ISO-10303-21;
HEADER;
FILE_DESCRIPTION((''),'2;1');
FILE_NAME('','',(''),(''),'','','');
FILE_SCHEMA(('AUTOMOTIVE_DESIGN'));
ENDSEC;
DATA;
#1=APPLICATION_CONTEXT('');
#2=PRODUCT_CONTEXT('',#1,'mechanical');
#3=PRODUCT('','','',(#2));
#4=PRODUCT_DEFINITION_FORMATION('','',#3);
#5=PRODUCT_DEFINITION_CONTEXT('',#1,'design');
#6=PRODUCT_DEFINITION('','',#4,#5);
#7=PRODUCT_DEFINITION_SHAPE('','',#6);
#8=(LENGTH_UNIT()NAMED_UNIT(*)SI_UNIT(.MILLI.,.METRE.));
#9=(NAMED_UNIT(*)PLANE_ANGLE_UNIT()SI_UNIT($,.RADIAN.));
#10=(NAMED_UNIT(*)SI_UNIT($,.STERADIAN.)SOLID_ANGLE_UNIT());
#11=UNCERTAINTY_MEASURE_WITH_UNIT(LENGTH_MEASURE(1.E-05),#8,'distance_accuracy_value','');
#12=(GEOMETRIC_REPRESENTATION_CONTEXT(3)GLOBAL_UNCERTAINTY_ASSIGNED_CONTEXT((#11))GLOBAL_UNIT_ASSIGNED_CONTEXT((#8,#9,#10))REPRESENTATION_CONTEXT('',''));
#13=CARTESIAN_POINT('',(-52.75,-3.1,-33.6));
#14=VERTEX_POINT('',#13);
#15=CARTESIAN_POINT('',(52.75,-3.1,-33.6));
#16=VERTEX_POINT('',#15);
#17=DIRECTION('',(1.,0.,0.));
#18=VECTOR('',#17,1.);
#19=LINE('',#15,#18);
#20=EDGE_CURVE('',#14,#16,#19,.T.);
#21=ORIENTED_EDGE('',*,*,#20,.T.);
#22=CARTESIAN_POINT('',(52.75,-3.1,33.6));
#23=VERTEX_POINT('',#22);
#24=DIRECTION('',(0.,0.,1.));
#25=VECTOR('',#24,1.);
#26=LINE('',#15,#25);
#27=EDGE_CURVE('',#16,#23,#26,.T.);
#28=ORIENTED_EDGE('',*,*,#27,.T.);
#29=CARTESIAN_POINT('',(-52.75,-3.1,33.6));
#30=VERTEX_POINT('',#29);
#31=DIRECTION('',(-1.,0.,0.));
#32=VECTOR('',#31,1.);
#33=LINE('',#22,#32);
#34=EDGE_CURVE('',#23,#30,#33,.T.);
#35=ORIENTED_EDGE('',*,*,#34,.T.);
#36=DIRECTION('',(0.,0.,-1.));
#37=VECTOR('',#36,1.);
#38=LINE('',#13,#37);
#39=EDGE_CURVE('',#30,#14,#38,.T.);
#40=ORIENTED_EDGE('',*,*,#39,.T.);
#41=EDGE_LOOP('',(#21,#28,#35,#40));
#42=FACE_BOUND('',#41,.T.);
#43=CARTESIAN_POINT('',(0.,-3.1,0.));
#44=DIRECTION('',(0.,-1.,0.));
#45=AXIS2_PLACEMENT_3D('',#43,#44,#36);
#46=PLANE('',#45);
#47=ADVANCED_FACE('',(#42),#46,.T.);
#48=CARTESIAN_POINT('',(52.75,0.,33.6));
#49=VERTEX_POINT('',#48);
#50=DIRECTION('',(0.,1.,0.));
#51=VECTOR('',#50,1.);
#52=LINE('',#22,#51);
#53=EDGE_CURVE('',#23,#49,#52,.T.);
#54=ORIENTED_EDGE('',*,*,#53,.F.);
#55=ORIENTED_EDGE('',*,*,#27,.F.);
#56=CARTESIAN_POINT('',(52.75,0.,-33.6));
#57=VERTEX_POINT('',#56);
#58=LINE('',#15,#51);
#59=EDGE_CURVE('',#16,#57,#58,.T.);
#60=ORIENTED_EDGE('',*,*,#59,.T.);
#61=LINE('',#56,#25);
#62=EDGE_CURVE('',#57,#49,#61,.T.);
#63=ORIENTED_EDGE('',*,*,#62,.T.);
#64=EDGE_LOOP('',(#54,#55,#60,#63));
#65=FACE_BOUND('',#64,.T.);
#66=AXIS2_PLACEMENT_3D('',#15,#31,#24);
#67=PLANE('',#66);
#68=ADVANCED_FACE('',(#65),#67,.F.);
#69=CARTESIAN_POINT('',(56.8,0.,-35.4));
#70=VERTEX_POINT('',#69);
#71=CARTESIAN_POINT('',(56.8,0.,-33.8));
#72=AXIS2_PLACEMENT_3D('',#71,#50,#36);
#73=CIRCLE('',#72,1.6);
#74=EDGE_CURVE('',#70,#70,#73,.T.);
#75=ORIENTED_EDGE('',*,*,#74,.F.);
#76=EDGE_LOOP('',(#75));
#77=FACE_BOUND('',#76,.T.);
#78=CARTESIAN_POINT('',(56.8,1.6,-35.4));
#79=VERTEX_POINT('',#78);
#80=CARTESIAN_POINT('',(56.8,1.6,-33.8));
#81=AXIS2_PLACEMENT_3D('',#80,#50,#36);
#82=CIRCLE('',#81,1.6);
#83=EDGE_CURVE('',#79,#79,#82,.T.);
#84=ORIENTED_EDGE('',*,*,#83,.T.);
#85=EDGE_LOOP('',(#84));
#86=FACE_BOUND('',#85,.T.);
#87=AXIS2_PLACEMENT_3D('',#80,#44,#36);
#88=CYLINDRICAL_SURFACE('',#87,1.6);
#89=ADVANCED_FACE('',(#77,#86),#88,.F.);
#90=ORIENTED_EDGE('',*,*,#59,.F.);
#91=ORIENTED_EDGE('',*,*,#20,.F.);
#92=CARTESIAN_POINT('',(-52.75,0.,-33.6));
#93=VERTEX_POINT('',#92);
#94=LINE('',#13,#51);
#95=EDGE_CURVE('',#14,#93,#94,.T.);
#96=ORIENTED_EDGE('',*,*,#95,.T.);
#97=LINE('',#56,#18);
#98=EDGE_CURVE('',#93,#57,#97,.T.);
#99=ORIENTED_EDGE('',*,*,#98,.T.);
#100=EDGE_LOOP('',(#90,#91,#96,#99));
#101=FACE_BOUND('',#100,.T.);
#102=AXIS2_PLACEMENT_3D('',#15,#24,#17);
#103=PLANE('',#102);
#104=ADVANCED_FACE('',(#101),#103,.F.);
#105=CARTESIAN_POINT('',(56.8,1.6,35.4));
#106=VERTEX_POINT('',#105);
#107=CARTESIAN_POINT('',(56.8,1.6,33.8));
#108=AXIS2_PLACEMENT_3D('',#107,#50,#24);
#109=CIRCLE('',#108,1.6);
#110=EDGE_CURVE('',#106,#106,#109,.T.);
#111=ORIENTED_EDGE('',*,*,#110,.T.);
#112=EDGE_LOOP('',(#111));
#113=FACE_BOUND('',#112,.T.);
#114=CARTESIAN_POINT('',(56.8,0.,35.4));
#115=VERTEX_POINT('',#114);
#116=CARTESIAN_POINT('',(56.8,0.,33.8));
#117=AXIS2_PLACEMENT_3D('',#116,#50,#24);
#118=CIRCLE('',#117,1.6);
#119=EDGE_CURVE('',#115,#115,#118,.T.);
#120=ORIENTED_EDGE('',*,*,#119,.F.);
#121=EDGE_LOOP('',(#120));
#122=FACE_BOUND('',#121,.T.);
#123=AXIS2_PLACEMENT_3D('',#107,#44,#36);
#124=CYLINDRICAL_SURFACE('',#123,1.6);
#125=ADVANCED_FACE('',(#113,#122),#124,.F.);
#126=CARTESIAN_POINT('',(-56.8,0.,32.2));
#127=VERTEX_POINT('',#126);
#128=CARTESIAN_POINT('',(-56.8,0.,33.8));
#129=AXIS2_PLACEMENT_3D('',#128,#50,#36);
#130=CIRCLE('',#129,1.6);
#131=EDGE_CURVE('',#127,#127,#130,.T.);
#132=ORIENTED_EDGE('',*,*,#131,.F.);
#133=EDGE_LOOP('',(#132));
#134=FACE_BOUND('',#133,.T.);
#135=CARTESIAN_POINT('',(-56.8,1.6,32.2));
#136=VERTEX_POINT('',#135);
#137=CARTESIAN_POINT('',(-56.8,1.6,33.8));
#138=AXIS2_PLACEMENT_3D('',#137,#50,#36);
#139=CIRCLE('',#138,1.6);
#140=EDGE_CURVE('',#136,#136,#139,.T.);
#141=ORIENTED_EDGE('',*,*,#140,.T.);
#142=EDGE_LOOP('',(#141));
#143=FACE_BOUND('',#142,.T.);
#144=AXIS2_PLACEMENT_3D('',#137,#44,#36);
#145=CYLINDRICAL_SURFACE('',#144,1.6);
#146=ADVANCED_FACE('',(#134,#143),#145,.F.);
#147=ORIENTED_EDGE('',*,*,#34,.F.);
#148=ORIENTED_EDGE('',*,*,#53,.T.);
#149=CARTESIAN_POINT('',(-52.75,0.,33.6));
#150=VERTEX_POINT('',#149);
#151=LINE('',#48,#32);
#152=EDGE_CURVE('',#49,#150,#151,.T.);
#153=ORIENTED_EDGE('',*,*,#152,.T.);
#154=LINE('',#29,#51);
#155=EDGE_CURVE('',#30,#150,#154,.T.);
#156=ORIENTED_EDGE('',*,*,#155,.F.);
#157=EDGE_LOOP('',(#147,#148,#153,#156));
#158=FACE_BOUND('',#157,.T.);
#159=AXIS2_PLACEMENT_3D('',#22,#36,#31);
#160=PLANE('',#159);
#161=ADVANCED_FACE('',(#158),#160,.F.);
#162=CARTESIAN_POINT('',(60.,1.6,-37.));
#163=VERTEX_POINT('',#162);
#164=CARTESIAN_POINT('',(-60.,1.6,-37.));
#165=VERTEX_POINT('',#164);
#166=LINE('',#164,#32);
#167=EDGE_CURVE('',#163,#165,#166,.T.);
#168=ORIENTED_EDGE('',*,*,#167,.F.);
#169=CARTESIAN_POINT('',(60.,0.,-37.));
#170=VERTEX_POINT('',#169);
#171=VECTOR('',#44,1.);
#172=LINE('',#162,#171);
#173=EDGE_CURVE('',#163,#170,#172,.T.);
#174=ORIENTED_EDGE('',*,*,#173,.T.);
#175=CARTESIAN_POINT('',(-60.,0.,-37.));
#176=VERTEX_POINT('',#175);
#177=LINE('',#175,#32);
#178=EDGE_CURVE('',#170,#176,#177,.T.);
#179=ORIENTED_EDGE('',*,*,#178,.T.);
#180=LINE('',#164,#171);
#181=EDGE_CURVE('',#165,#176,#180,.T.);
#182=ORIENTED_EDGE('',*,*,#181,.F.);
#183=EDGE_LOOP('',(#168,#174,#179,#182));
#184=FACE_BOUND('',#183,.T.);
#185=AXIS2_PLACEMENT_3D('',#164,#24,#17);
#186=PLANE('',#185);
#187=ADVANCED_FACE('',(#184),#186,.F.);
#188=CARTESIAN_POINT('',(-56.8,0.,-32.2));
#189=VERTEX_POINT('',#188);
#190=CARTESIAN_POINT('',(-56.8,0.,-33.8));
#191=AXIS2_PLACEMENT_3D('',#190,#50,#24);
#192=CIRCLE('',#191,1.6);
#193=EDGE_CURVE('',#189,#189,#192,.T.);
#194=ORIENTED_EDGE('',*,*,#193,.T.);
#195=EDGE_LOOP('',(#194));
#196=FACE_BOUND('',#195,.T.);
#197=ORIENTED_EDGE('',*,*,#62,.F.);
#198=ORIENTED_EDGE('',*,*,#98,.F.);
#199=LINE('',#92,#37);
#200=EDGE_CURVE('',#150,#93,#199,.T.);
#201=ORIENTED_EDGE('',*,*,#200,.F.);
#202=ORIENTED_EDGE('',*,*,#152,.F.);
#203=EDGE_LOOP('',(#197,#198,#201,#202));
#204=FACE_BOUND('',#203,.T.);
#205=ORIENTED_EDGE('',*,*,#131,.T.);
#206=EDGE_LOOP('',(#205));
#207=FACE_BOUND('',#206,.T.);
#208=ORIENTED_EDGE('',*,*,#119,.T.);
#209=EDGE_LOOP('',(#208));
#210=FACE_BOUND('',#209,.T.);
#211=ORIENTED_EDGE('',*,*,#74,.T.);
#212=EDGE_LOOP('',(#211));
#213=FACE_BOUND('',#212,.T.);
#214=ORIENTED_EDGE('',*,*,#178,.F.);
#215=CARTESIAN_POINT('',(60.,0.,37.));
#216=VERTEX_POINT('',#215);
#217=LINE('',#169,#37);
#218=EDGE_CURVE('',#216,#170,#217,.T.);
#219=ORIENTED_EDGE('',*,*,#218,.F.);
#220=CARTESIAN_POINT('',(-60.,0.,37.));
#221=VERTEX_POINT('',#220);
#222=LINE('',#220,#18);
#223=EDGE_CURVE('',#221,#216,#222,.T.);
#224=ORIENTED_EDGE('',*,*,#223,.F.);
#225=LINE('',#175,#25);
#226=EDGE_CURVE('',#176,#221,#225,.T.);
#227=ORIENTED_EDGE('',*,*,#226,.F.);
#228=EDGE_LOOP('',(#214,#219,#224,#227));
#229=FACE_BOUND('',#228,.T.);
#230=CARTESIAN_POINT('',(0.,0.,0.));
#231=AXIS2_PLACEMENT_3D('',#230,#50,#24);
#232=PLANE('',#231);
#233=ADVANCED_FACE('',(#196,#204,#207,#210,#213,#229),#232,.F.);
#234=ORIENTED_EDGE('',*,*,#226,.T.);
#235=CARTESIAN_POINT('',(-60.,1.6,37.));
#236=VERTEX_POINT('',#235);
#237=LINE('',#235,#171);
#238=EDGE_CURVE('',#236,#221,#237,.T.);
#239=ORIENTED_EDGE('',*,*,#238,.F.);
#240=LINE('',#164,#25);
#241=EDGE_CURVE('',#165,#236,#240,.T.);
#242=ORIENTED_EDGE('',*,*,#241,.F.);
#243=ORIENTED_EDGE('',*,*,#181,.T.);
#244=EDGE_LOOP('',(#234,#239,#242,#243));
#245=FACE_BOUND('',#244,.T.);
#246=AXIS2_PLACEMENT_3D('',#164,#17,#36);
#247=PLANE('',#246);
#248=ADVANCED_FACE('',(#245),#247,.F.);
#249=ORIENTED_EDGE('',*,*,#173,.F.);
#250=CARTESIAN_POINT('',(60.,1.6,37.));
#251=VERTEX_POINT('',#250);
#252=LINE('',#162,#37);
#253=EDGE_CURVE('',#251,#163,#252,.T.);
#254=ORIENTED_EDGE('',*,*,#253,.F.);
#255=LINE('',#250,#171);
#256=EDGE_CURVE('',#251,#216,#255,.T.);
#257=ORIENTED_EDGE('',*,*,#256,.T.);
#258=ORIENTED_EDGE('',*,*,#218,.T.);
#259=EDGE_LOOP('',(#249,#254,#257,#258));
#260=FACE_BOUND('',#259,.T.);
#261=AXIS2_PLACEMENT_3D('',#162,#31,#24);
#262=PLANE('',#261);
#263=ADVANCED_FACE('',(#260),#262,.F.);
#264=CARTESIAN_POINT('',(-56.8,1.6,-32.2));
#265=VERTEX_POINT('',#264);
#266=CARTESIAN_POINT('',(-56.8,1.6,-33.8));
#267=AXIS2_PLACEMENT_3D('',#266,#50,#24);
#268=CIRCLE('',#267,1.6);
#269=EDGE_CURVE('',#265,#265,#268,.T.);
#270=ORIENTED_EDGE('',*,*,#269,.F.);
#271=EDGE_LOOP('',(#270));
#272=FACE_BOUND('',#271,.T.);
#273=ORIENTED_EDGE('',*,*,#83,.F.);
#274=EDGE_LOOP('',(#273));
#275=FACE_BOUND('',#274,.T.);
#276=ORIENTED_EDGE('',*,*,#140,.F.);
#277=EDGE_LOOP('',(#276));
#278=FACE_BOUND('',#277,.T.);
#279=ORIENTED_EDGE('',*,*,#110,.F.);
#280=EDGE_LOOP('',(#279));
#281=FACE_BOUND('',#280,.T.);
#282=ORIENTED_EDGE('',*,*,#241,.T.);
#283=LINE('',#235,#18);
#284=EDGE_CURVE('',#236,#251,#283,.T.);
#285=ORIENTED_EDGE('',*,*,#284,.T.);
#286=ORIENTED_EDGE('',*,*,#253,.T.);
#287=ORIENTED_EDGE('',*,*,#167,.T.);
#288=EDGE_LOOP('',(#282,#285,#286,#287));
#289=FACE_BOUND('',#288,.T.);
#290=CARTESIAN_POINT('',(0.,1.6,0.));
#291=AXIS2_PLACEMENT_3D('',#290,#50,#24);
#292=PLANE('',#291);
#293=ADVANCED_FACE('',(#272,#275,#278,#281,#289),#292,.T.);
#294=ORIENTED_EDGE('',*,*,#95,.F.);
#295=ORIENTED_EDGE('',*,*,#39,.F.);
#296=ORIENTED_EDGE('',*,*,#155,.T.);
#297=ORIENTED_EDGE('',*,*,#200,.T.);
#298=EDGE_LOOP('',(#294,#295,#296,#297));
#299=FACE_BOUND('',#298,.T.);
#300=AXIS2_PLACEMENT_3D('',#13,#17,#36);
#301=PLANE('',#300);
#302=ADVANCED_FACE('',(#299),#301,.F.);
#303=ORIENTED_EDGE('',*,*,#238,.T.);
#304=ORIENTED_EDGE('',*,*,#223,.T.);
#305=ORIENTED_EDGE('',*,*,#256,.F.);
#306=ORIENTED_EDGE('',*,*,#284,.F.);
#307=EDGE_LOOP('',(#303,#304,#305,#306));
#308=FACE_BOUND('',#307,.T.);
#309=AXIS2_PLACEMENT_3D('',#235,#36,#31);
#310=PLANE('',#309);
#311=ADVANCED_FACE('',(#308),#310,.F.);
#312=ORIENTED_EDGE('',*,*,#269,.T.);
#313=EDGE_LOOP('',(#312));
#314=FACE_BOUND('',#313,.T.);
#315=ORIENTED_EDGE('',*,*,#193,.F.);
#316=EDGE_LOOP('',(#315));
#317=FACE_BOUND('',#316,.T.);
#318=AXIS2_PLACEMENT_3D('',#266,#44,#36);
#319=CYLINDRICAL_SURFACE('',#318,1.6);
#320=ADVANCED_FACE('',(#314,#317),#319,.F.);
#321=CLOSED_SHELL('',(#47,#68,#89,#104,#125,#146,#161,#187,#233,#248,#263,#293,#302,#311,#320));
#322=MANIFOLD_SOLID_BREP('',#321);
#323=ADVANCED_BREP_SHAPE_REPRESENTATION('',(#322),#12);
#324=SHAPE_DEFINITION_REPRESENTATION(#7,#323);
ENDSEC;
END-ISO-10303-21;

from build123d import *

# Parameters (mm, degrees)
SKETCH_1_W      = 120
SKETCH_1_H      = 74
SKETCH_1_R      = 1.6
EXTRUDE_2_DEPTH = 1.6
SKETCH_2_W      = 105.5
SKETCH_2_H      = 67.2
EXTRUDE_3_DEPTH = 3.1


with BuildPart() as part:
    # 草图1 → 凸台-拉伸2 (new body)
    with BuildSketch(Plane(origin=(0, 0, 0), x_dir=(1, 0, 0), z_dir=(0, 1, 0))):
        Rectangle(SKETCH_1_W, SKETCH_1_H)
        with Locations(Location((-56.8, 33.8, 0), (0, 0, 270))):
            Circle(SKETCH_1_R, mode=Mode.SUBTRACT)
        with Locations(Location((-56.8, -33.8, 0), (0, 0, 90))):
            Circle(SKETCH_1_R, mode=Mode.SUBTRACT)
        with Locations(Location((56.8, -33.8, 0), (0, 0, 270))):
            Circle(SKETCH_1_R, mode=Mode.SUBTRACT)
        with Locations(Location((56.8, 33.8, 0), (0, 0, 90))):
            Circle(SKETCH_1_R, mode=Mode.SUBTRACT)
    extrude(amount=EXTRUDE_2_DEPTH)

    # 草图2 → 凸台-拉伸3 (add)
    with BuildSketch(Plane.XZ):
        Rectangle(SKETCH_2_W, SKETCH_2_H)
    extrude(amount=EXTRUDE_3_DEPTH)


solid = part.part
